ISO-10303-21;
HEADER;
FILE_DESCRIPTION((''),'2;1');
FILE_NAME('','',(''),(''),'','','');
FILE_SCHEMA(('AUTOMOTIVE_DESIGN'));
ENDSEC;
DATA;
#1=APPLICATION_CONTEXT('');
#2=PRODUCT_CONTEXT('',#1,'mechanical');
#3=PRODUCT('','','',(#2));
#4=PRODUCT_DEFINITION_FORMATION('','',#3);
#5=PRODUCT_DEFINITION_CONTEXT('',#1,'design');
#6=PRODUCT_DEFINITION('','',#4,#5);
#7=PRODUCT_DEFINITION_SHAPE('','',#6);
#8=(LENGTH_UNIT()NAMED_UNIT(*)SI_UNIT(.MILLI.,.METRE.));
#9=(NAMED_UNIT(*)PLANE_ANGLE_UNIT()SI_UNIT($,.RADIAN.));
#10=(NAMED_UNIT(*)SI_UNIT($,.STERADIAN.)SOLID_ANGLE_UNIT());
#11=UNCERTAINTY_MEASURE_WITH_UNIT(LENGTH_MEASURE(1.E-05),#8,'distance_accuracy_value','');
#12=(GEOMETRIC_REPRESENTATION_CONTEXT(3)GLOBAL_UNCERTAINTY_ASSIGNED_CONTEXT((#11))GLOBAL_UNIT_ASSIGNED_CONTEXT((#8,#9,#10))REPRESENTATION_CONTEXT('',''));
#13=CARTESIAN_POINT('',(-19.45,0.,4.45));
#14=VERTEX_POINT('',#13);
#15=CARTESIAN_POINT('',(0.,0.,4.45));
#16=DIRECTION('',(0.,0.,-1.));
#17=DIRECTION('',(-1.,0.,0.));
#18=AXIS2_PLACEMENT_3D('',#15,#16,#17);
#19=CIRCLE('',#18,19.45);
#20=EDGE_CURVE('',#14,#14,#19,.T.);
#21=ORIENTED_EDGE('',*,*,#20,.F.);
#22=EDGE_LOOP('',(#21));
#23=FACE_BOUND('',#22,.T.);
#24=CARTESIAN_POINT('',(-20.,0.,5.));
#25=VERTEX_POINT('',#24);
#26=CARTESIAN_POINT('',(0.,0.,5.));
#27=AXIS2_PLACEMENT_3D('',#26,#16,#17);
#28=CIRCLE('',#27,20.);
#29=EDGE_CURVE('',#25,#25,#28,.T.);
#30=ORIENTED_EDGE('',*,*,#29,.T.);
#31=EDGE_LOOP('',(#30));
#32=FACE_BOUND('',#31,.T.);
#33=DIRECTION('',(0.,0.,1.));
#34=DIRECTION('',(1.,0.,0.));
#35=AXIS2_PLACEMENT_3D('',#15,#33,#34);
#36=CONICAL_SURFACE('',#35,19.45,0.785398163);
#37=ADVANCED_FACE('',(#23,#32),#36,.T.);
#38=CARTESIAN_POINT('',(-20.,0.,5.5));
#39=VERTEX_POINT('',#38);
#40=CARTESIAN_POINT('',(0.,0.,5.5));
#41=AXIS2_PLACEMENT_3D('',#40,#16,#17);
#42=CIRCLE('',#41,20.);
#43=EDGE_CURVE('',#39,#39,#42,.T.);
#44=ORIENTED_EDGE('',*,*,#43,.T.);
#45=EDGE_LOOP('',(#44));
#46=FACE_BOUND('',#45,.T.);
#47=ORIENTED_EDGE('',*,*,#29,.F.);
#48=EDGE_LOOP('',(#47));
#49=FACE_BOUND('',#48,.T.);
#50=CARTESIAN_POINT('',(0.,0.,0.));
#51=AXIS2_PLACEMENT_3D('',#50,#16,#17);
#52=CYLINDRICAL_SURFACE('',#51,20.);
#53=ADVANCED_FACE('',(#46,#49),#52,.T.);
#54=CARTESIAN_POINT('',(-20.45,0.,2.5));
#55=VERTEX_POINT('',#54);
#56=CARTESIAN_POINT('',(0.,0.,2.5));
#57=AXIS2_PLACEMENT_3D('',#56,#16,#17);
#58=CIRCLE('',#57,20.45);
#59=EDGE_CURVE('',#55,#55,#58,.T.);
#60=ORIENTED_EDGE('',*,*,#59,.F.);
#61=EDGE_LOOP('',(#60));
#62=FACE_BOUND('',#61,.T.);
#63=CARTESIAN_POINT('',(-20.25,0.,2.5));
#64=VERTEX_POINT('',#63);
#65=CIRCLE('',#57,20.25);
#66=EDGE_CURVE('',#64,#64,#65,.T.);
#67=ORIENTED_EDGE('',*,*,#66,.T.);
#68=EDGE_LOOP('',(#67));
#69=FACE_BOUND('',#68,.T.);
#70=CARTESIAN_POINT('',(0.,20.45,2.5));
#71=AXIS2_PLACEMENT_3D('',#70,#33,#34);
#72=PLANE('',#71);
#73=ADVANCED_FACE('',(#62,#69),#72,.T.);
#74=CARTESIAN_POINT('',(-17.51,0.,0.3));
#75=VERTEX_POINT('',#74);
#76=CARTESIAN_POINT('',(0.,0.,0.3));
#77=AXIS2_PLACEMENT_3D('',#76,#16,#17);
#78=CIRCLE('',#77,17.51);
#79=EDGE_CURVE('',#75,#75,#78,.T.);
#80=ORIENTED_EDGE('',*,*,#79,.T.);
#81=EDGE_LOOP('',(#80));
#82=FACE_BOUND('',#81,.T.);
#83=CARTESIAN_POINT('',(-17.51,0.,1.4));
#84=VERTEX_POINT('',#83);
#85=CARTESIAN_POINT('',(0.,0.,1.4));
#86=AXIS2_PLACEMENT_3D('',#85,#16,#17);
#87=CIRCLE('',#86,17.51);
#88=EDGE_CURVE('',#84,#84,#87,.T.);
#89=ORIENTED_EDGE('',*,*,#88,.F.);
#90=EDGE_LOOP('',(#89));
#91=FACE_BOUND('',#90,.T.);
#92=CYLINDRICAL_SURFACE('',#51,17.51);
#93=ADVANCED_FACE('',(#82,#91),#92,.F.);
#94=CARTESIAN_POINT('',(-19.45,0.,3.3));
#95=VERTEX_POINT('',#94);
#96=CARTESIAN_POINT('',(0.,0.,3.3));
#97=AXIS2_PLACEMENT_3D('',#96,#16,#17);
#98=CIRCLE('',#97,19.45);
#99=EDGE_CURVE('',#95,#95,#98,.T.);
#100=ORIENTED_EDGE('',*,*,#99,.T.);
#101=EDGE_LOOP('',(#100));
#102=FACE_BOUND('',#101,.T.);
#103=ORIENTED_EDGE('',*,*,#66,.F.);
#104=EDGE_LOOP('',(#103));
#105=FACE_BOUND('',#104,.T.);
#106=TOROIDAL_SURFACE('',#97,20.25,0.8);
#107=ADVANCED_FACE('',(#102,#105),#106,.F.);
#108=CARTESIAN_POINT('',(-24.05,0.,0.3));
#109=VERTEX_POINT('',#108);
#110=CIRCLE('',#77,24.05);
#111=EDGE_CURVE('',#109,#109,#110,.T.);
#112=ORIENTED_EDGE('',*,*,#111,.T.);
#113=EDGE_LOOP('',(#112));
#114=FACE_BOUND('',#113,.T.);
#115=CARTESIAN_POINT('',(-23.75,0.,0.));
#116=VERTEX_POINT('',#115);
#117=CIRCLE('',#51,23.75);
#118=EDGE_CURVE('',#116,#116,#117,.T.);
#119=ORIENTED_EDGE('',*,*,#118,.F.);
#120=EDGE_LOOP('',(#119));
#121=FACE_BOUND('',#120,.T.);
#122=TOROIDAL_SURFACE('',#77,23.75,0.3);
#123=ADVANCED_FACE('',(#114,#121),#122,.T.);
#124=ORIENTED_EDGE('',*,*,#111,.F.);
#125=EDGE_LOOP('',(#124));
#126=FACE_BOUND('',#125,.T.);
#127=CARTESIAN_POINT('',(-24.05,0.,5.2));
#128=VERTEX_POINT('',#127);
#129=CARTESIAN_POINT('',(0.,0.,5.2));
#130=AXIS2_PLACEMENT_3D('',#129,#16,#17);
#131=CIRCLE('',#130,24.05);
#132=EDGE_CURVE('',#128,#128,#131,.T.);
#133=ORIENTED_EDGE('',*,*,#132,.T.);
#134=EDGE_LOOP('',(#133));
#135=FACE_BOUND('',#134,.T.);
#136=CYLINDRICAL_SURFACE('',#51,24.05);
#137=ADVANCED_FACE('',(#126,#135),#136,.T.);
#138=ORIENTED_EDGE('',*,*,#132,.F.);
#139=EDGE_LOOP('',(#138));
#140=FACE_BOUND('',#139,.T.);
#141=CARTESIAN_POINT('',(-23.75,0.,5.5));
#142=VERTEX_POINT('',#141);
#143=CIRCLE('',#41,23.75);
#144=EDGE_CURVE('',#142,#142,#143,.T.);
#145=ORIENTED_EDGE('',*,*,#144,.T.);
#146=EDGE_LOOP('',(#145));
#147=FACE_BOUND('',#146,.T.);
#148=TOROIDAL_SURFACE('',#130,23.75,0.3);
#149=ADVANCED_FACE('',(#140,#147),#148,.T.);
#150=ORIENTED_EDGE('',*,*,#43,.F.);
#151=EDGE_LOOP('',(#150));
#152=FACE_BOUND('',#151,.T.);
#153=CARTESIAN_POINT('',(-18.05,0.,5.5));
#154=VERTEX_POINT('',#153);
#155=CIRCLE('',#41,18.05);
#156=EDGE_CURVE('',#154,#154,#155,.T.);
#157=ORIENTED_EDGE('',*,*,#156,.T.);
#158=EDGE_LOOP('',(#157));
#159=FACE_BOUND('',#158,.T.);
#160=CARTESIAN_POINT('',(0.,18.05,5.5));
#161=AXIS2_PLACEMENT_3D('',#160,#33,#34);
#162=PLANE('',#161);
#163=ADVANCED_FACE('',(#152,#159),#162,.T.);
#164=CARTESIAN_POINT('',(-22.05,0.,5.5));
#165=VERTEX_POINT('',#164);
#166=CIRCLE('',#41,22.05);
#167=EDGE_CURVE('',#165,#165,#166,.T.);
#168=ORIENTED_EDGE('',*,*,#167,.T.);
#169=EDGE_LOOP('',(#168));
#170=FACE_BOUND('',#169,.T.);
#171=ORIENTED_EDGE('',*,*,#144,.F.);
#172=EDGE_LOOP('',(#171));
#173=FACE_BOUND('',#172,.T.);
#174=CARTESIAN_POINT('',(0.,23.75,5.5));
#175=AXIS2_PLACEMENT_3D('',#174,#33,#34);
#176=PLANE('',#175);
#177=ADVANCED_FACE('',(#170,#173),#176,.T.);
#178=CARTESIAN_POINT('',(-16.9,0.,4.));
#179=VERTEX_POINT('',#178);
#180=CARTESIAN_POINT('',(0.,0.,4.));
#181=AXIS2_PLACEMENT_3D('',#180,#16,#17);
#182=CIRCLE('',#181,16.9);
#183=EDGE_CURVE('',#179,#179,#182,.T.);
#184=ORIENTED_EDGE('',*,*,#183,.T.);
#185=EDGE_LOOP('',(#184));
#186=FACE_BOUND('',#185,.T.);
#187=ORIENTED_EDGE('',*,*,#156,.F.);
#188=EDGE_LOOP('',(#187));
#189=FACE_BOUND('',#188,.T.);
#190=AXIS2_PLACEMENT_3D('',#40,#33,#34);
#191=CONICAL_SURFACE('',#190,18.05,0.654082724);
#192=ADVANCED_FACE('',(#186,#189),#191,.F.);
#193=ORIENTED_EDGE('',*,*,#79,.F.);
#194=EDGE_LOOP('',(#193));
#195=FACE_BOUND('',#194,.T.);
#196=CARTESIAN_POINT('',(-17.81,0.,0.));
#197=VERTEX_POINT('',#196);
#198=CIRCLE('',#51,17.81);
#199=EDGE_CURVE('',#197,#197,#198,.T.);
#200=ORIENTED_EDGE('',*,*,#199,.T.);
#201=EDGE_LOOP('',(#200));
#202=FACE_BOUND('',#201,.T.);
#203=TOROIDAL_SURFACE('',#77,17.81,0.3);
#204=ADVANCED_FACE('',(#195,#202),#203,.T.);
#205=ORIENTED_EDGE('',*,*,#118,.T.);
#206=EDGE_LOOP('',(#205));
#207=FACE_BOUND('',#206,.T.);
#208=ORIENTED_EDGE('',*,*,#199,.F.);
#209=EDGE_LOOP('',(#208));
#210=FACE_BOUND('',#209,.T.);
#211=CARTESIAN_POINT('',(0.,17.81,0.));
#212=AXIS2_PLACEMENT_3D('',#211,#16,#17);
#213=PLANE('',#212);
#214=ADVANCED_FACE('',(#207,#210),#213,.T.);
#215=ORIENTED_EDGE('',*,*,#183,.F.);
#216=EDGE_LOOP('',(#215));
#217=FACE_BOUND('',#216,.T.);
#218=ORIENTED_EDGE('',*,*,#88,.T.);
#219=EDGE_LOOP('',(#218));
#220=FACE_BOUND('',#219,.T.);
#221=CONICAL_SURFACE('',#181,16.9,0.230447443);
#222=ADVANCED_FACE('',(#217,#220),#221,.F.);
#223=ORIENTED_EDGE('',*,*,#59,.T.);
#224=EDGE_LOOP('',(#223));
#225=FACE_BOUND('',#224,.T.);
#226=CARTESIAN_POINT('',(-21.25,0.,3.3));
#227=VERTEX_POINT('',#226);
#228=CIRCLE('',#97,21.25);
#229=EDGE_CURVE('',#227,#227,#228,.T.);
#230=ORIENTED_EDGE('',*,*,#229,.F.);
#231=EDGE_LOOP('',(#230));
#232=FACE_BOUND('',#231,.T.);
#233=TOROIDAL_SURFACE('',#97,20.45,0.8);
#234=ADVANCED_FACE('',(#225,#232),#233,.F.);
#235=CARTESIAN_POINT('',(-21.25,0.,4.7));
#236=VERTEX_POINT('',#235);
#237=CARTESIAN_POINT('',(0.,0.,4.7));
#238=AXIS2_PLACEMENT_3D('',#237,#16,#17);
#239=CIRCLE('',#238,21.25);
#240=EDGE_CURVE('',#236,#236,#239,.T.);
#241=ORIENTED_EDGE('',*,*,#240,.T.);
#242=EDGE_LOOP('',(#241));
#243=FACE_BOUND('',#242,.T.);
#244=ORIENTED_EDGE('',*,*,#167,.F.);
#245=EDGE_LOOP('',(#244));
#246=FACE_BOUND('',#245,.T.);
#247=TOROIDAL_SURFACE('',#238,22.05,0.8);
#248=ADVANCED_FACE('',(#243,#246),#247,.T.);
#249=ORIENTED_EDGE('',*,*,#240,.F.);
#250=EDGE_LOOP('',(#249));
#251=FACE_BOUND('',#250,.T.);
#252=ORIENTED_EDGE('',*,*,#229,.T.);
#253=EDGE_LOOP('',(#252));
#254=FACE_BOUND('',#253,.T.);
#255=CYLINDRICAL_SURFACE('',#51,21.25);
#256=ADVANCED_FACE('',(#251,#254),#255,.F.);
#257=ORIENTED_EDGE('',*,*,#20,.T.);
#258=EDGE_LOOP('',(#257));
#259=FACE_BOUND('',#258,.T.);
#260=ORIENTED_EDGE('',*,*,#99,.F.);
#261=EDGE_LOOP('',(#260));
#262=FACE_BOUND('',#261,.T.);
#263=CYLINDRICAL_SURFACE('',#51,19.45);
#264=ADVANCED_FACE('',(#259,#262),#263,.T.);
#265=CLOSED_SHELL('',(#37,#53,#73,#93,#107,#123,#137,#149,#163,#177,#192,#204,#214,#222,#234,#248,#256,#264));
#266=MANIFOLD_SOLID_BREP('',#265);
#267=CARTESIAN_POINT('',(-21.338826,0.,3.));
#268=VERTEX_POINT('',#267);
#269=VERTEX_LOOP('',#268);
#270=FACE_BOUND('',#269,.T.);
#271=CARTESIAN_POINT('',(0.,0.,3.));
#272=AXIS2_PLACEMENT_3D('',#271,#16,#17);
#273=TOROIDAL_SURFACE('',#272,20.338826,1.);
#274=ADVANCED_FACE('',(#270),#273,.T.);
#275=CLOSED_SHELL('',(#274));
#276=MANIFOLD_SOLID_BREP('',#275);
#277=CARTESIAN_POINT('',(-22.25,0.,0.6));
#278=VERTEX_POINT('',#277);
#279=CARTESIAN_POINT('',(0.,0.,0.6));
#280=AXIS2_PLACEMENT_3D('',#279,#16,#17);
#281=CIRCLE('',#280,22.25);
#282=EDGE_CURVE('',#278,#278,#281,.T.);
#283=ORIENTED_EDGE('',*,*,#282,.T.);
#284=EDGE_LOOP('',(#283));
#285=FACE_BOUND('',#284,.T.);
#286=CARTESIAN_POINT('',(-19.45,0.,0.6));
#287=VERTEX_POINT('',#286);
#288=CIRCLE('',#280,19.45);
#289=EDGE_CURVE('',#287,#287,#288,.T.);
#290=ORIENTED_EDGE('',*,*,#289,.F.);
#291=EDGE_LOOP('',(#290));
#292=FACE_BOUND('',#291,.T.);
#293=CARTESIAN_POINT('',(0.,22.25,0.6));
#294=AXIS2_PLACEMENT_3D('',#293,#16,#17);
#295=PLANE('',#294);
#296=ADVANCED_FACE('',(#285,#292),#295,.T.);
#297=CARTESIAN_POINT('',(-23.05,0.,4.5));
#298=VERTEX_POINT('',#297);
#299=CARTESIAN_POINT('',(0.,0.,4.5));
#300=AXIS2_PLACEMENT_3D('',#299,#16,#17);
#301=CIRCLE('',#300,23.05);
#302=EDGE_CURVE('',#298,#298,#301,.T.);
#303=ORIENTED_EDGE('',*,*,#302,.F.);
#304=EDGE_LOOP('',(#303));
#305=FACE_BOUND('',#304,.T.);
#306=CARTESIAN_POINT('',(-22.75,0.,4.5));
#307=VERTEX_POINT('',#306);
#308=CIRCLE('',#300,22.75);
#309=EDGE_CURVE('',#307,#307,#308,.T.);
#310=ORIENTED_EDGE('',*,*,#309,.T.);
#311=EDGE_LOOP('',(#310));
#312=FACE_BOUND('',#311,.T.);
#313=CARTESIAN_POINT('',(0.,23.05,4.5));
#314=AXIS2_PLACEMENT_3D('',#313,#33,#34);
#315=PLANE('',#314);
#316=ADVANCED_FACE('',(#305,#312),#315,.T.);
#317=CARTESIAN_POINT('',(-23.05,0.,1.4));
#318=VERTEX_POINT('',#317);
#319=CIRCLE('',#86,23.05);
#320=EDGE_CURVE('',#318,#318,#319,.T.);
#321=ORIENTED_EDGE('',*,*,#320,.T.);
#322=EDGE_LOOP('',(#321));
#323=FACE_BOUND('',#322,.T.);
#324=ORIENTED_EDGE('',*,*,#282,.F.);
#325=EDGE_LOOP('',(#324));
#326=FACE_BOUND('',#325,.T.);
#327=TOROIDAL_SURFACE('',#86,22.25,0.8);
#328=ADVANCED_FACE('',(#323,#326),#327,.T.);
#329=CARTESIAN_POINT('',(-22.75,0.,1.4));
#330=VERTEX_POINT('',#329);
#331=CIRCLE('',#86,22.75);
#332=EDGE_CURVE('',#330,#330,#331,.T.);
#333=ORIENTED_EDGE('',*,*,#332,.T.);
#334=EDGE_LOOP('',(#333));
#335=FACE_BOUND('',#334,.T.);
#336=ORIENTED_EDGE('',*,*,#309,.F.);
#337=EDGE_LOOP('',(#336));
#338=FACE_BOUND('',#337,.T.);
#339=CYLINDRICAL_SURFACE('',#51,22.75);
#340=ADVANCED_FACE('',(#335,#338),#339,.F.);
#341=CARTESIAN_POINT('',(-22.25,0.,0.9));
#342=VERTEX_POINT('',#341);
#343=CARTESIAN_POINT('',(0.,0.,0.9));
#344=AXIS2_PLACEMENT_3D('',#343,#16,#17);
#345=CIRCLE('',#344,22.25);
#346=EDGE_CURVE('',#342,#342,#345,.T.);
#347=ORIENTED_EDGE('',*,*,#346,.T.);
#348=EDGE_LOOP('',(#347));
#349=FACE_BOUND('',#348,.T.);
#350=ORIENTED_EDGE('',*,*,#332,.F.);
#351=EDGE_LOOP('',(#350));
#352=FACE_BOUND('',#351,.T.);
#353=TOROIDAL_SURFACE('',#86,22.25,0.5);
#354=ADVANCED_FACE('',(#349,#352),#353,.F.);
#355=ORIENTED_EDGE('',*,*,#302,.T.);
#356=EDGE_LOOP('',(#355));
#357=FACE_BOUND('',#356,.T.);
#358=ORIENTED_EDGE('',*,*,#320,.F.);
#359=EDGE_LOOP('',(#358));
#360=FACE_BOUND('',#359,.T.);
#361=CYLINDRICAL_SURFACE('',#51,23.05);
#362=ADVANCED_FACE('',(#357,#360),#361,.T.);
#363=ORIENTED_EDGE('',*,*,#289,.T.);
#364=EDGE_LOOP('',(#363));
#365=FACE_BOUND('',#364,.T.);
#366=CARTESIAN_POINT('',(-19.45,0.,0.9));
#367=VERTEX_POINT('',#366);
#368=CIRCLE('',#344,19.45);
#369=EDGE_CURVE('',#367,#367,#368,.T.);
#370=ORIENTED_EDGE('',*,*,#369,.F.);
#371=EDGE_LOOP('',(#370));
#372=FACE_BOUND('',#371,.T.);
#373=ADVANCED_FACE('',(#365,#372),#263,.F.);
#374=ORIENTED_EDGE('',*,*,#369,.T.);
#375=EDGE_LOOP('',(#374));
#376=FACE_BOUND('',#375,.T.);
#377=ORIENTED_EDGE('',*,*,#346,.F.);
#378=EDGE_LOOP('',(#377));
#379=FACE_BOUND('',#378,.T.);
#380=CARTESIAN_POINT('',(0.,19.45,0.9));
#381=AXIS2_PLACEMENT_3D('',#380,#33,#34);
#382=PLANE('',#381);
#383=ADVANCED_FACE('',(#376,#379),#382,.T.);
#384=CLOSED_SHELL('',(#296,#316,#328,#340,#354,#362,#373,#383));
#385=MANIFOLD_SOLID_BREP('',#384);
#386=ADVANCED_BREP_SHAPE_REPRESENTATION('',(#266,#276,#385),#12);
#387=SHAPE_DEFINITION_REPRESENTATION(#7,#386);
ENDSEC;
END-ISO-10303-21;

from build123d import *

# Parameters (mm, degrees)
SKETCH2_R = 1


with BuildPart() as part:
    # Sketch1 → Revolve1 (revolve)
    with BuildSketch(Plane(origin=(0, 0, 0), x_dir=(0, 0, -1), z_dir=(1, 0, 0)), mode=Mode.PRIVATE) as revolve1_sk:
        with BuildLine():
            Line((0, 17.81), (0, 23.75))
            ThreePointArc((0, 23.75), (-0.087867966, 23.962132034), (-0.3, 24.05))
            Line((-0.3, 24.05), (-5.2, 24.05))
            ThreePointArc((-5.2, 24.05), (-5.412132034, 23.962132034), (-5.5, 23.75))
            Line((-5.5, 23.75), (-5.5, 22.05))
            ThreePointArc((-5.5, 22.05), (-5.265685425, 21.484314575), (-4.7, 21.25))
            Line((-4.7, 21.25), (-3.3, 21.25))
            ThreePointArc((-3.3, 21.25), (-2.734314575, 21.015685425), (-2.5, 20.45))
            Line((-2.5, 20.45), (-2.5, 20.25))
            ThreePointArc((-2.5, 20.25), (-2.734314575, 19.684314575), (-3.3, 19.45))
            Line((-3.3, 19.45), (-4.45, 19.45))
            Line((-4.45, 19.45), (-5, 20))
            Line((-5, 20), (-5.5, 20))
            Line((-5.5, 20), (-5.5, 18.05))
            Line((-5.5, 18.05), (-4, 16.9))
            Line((-4, 16.9), (-1.4, 17.51))
            Line((-1.4, 17.51), (-0.3, 17.51))
            ThreePointArc((-0.3, 17.51), (-0.087867966, 17.597867966), (0, 17.81))
        make_face()
    revolve(revolve1_sk.sketch.rotate(Axis((0, 0, 0), (0, 0, 1)), 90), axis=Axis((0, 0, 0), (0, 0, 1)))


with BuildPart() as body_2:
    # Sketch2 → Revolve2 (revolve)
    with BuildSketch(Plane(origin=(0, 0, 0), x_dir=(0, 0, -1), z_dir=(1, 0, 0)), mode=Mode.PRIVATE) as revolve2_sk:
        with Locations((-3, 20.33882619)):
            Circle(SKETCH2_R)
    revolve(revolve2_sk.sketch.rotate(Axis((0, 0, 0), (0, 0, 1)), 90), axis=Axis((0, 0, 0), (0, 0, 1)))


with BuildPart() as body_3:
    # Sketch3 → Revolve4 (revolve)
    with BuildSketch(Plane(origin=(0, 0, 0), x_dir=(0, 0, -1), z_dir=(1, 0, 0)), mode=Mode.PRIVATE) as revolve4_sk:
        with BuildLine():
            Line((-4.5, 23.05), (-1.4, 23.05))
            ThreePointArc((-1.4, 23.05), (-0.834314575, 22.815685425), (-0.6, 22.25))
            Line((-0.6, 22.25), (-0.6, 19.45))
            Line((-0.6, 19.45), (-0.9, 19.45))
            Line((-0.9, 19.45), (-0.9, 22.25))
            ThreePointArc((-0.9, 22.25), (-1.046446609, 22.603553391), (-1.4, 22.75))
            Line((-1.4, 22.75), (-4.5, 22.75))
            Line((-4.5, 22.75), (-4.5, 23.05))
        make_face()
    revolve(revolve4_sk.sketch.rotate(Axis((0, 0, 0), (0, 0, 1)), 90), axis=Axis((0, 0, 0), (0, 0, 1)))


solid = Compound([part.part, body_2.part, body_3.part])
